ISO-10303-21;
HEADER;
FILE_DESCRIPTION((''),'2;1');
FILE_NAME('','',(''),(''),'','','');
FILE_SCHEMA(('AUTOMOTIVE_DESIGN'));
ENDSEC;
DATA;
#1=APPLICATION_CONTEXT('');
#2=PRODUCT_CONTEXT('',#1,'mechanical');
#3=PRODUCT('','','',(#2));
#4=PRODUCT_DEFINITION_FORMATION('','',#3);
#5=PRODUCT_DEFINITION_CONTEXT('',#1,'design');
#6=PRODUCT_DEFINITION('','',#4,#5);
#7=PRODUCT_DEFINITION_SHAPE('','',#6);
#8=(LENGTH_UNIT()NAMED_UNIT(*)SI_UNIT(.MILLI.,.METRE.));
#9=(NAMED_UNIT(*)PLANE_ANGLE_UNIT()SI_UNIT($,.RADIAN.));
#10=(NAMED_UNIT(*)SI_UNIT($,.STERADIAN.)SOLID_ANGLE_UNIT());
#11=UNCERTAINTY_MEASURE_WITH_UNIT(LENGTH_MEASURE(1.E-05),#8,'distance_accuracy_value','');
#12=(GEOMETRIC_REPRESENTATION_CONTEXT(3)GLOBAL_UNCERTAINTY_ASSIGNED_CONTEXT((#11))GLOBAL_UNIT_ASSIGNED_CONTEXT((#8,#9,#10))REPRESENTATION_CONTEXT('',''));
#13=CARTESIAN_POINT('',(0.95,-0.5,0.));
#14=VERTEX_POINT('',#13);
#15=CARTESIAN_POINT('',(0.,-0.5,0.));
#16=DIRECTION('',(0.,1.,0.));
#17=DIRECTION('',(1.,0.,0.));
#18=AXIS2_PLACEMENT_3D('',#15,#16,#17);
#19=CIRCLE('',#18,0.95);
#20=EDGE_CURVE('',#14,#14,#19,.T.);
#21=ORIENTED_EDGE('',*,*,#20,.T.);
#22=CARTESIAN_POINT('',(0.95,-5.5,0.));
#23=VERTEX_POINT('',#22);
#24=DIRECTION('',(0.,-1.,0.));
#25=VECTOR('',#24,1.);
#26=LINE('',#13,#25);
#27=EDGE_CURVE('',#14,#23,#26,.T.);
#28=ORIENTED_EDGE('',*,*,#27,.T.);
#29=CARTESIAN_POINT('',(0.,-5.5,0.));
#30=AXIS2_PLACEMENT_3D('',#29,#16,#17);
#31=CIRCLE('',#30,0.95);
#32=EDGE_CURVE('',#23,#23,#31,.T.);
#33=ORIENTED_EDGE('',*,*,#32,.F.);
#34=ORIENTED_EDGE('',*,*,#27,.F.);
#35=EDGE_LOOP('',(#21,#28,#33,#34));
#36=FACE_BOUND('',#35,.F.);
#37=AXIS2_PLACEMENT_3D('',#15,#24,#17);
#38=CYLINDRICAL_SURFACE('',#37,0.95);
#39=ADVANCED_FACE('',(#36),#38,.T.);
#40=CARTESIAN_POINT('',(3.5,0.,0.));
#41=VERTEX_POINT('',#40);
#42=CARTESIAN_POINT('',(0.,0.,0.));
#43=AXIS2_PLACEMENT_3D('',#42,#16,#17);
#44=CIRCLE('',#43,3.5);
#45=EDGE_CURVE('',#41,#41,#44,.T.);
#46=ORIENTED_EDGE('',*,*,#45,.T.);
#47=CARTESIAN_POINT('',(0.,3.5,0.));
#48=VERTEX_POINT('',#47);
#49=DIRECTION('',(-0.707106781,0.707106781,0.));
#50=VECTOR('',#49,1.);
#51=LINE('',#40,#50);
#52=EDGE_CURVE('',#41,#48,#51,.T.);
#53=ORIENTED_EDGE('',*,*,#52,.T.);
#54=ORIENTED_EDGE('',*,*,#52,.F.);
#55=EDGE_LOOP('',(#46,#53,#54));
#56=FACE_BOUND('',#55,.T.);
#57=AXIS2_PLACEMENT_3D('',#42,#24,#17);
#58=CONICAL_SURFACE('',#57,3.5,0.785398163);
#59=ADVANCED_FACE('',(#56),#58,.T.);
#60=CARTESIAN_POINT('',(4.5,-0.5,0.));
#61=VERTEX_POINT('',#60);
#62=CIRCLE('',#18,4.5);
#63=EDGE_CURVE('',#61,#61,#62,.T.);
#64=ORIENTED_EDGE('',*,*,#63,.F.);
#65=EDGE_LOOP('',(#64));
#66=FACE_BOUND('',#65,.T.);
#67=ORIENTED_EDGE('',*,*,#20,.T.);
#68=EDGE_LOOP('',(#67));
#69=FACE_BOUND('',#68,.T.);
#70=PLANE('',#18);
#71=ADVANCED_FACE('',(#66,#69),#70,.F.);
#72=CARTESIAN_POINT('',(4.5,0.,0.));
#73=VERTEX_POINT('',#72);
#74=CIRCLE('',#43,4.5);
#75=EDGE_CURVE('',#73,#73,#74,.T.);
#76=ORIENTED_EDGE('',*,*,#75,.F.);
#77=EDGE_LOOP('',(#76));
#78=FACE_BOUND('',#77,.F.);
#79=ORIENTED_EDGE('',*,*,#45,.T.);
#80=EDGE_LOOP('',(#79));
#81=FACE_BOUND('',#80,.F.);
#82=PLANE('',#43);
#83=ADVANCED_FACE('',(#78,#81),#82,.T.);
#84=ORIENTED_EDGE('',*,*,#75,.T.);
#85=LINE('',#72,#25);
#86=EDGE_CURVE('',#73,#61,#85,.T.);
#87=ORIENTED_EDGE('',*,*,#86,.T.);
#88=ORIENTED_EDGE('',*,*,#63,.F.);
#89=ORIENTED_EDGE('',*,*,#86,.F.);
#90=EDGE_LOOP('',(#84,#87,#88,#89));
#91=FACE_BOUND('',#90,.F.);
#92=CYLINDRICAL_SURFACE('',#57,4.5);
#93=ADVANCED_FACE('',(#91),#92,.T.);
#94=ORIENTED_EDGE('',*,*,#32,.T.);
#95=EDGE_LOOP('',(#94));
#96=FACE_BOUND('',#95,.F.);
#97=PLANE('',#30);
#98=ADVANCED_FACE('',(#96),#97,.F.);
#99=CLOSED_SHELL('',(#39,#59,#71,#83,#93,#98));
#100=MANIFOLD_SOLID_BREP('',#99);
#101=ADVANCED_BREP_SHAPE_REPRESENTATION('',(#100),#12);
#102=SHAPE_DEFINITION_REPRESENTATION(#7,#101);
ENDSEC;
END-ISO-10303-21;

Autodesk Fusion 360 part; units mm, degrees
sketch "Skizze1" plane through (0, 0, 0) normal (0, 0, 1) x (1, 0, 0)
  line L0 (3.5, 0) -> (4.5, 0)
  line L1 (3.5, 0) -> (0, 3.5)
  line L2 (0, 1.75) -> (0, 22.5)
  line L3 (20, 0) -> (2.5, 0)
  line L4 (4.5, 0) -> (4.5, -0.5)
  line L5 (0, 2.5) -> (0, 20)
  line L6 (0.95, -0.5) -> (4.5, -0.5)
  line L7 (0.95, -0.5) -> (0.95, -5.5)
  line L8 (0.95, -5.5) -> (0, -5.5)
  line L9 (0, -5.5) -> (0, 3.5)
  point P0 (0.95, -0.5)
  dimension "d7" = 1
  dimension "d8" = 3.5
  dimension "d11" = 45
  dimension "d12" = 0.5
  dimension "d13" = 0.95
  dimension "d14" = 0.5
  dimension "d15" = 5
revolve "Drehen2" add sketch "Skizze1" angle 360 about axis through (0, -5.5, 0) along (0, 1, 0)
equation "d13 = ( 1.9 / 2 ) * 1 mm"
